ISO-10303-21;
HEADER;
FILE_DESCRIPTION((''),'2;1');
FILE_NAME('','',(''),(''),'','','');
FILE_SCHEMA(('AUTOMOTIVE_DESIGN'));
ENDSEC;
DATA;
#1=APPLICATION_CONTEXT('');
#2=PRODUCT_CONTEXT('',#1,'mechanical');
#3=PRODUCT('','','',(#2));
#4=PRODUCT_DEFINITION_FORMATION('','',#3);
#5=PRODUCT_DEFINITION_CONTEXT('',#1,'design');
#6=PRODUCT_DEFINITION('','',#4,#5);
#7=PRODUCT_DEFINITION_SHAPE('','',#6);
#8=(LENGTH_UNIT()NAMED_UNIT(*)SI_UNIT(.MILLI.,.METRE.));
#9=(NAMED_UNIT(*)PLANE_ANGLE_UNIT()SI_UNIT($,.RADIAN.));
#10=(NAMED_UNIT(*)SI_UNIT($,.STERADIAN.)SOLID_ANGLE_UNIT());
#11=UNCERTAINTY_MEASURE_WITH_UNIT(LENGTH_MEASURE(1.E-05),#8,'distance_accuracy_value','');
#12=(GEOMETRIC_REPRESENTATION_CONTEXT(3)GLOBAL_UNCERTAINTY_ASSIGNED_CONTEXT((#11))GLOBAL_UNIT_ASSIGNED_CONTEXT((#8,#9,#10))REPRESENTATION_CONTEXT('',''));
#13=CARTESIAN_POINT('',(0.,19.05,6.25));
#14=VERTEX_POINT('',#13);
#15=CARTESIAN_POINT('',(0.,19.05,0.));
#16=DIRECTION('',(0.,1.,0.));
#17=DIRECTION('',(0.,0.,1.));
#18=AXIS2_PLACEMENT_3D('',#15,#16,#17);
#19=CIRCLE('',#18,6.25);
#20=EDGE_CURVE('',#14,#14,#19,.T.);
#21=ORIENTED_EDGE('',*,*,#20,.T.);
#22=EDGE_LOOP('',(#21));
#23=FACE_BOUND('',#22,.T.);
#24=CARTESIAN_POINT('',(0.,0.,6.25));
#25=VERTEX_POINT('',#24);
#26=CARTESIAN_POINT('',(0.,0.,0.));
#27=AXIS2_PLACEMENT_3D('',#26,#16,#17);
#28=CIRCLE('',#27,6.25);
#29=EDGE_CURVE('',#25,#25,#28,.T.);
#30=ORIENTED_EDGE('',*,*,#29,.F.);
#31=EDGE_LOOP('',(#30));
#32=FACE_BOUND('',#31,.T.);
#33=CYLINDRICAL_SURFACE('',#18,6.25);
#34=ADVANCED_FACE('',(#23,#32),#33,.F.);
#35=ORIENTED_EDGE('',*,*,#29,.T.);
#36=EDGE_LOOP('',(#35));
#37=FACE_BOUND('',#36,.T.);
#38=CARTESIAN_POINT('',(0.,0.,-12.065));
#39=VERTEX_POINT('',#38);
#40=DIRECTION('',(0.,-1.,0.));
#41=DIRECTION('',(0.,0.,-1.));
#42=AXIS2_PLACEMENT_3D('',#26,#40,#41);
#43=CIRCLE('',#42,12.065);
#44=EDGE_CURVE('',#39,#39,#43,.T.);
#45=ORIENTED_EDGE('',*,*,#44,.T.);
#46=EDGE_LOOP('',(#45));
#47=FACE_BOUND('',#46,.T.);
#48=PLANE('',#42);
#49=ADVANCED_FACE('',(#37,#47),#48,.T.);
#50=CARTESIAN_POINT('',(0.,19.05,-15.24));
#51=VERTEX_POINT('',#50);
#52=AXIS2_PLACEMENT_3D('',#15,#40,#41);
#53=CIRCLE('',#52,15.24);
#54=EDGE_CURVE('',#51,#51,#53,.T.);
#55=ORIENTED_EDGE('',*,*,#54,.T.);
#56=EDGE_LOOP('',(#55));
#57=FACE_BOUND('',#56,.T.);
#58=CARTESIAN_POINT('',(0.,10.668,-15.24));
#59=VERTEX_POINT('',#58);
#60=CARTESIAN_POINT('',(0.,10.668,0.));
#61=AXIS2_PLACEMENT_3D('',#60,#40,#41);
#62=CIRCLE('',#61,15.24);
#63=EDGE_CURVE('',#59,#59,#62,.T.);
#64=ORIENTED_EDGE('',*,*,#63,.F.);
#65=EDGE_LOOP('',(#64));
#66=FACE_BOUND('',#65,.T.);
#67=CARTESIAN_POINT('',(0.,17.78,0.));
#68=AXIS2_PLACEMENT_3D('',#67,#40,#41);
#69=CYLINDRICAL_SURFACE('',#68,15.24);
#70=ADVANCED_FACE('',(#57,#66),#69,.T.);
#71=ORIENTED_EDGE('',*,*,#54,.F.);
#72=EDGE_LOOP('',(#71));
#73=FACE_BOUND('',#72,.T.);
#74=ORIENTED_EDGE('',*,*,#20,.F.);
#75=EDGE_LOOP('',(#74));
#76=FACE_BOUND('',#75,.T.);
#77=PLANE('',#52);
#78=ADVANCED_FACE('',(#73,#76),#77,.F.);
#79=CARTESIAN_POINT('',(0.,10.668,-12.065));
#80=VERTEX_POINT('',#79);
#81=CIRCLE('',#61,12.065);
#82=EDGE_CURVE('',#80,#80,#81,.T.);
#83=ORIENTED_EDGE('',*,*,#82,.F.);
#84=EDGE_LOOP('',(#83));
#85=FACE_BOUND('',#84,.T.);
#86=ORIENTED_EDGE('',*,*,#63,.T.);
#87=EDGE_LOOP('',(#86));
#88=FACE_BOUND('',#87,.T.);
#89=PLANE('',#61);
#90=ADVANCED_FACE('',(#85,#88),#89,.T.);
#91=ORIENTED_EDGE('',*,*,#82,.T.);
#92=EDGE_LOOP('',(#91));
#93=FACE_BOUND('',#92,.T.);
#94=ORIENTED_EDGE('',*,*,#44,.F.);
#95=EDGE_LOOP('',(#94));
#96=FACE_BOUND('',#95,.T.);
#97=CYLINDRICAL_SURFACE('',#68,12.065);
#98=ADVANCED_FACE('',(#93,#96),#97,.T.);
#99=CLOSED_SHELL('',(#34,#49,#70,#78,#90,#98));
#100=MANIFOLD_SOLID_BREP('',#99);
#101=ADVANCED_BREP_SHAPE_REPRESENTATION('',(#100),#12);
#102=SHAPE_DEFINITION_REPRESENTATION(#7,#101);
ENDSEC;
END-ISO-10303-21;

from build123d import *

# Parameters (mm, degrees)
M14X1_5_TAPPED_HOLE1_D = 12.5


with BuildPart() as part:
    # Sketch3 → Revolve1 (revolve)
    with BuildSketch(Plane.XY):
        Polygon((0, 19.05), (0, 0), (12.065, 0), (12.065, 10.668), (15.24, 10.668), (15.24, 19.05), align=None)
    revolve(axis=Axis((0, 17.78, 0), (0, 1, 0)))

    # M14x1.5 Tapped Hole1 (through all)
    with Locations(Plane(origin=(0, 19.05, 0), x_dir=(1, 0, 0), z_dir=(0, 1, 0))):
        with Locations((0, 0)):
            Hole(M14X1_5_TAPPED_HOLE1_D / 2)


solid = part.part
